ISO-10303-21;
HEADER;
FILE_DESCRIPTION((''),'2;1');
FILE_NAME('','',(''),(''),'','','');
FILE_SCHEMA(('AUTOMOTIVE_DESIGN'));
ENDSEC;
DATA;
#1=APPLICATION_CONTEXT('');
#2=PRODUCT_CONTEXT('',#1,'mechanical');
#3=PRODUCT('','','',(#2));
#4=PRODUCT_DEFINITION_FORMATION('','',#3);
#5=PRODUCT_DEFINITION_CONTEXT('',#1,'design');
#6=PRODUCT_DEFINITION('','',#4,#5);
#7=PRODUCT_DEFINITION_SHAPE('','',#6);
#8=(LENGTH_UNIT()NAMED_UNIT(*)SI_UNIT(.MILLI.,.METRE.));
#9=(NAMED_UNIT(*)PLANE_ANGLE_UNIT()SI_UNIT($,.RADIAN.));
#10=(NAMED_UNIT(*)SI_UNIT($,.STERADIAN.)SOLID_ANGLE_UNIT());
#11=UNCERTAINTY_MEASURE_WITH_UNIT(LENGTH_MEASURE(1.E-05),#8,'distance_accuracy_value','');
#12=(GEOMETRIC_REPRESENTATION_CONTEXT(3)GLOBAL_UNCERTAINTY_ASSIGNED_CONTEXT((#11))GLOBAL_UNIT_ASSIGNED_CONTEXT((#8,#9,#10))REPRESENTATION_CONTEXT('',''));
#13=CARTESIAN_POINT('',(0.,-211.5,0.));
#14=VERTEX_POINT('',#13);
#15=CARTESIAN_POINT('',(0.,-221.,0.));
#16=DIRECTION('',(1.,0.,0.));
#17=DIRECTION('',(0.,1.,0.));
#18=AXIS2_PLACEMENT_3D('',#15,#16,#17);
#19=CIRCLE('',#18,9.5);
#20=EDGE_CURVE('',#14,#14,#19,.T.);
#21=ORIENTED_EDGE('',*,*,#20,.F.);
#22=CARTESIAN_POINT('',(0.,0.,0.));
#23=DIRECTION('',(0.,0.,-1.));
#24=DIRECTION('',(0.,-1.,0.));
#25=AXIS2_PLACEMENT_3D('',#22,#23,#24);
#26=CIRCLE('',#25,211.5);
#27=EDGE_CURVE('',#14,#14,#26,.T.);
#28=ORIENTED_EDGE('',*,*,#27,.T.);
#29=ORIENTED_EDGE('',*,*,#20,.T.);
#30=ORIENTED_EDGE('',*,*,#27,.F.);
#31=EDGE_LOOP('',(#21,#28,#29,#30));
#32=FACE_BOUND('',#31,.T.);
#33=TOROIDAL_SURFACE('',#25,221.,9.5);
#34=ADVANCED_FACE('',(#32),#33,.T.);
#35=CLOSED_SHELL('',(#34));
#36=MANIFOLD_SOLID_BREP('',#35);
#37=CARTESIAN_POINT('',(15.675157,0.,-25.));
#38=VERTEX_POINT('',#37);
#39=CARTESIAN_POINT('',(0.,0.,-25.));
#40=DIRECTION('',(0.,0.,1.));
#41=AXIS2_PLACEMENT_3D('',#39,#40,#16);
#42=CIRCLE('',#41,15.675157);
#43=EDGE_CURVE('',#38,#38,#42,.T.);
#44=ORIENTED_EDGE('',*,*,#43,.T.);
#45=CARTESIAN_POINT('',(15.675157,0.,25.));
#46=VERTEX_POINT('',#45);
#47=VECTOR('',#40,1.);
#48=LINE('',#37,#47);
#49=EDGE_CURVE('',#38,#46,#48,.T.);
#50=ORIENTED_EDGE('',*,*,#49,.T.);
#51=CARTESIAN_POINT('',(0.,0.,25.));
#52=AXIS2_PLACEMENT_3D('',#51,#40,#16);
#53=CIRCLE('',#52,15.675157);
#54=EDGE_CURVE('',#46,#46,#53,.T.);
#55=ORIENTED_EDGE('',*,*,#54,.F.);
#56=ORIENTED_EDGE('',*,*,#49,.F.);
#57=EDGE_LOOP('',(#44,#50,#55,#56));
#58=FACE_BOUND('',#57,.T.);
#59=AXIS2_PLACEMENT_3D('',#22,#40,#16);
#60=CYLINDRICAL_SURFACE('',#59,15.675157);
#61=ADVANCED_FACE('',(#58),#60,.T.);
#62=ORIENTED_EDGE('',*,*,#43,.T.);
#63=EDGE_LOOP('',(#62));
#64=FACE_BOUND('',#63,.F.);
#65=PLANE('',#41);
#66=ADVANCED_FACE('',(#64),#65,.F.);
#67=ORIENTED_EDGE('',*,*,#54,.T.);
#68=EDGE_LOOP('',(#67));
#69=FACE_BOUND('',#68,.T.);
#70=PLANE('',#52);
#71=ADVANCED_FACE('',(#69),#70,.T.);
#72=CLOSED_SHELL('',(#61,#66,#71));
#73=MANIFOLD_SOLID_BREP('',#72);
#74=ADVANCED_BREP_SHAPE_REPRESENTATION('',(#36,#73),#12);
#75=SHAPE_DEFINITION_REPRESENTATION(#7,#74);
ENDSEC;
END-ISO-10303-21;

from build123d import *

# Parameters (mm, degrees)
F0_R          = 9.5
F2_R          = 15.675157
F3_DEPTH      = 25
F3_DEPTH_BACK = 25


with BuildPart() as f1:
    # F0 (on Right) → F1 (revolve)
    with BuildSketch(Plane.YZ):
        with Locations((-221, 0)):
            Circle(F0_R)
    revolve(axis=Axis((0, 0, -0.132855), (0, 0, -1)))


with BuildPart() as f3:
    # F2 (on Top) → F3 (new body, two sides)
    with BuildSketch(Plane.XY) as f3_sk:
        Circle(F2_R)
    extrude(amount=F3_DEPTH)
    extrude(f3_sk.sketch, amount=-F3_DEPTH_BACK)


solid = Compound([f1.part, f3.part])
